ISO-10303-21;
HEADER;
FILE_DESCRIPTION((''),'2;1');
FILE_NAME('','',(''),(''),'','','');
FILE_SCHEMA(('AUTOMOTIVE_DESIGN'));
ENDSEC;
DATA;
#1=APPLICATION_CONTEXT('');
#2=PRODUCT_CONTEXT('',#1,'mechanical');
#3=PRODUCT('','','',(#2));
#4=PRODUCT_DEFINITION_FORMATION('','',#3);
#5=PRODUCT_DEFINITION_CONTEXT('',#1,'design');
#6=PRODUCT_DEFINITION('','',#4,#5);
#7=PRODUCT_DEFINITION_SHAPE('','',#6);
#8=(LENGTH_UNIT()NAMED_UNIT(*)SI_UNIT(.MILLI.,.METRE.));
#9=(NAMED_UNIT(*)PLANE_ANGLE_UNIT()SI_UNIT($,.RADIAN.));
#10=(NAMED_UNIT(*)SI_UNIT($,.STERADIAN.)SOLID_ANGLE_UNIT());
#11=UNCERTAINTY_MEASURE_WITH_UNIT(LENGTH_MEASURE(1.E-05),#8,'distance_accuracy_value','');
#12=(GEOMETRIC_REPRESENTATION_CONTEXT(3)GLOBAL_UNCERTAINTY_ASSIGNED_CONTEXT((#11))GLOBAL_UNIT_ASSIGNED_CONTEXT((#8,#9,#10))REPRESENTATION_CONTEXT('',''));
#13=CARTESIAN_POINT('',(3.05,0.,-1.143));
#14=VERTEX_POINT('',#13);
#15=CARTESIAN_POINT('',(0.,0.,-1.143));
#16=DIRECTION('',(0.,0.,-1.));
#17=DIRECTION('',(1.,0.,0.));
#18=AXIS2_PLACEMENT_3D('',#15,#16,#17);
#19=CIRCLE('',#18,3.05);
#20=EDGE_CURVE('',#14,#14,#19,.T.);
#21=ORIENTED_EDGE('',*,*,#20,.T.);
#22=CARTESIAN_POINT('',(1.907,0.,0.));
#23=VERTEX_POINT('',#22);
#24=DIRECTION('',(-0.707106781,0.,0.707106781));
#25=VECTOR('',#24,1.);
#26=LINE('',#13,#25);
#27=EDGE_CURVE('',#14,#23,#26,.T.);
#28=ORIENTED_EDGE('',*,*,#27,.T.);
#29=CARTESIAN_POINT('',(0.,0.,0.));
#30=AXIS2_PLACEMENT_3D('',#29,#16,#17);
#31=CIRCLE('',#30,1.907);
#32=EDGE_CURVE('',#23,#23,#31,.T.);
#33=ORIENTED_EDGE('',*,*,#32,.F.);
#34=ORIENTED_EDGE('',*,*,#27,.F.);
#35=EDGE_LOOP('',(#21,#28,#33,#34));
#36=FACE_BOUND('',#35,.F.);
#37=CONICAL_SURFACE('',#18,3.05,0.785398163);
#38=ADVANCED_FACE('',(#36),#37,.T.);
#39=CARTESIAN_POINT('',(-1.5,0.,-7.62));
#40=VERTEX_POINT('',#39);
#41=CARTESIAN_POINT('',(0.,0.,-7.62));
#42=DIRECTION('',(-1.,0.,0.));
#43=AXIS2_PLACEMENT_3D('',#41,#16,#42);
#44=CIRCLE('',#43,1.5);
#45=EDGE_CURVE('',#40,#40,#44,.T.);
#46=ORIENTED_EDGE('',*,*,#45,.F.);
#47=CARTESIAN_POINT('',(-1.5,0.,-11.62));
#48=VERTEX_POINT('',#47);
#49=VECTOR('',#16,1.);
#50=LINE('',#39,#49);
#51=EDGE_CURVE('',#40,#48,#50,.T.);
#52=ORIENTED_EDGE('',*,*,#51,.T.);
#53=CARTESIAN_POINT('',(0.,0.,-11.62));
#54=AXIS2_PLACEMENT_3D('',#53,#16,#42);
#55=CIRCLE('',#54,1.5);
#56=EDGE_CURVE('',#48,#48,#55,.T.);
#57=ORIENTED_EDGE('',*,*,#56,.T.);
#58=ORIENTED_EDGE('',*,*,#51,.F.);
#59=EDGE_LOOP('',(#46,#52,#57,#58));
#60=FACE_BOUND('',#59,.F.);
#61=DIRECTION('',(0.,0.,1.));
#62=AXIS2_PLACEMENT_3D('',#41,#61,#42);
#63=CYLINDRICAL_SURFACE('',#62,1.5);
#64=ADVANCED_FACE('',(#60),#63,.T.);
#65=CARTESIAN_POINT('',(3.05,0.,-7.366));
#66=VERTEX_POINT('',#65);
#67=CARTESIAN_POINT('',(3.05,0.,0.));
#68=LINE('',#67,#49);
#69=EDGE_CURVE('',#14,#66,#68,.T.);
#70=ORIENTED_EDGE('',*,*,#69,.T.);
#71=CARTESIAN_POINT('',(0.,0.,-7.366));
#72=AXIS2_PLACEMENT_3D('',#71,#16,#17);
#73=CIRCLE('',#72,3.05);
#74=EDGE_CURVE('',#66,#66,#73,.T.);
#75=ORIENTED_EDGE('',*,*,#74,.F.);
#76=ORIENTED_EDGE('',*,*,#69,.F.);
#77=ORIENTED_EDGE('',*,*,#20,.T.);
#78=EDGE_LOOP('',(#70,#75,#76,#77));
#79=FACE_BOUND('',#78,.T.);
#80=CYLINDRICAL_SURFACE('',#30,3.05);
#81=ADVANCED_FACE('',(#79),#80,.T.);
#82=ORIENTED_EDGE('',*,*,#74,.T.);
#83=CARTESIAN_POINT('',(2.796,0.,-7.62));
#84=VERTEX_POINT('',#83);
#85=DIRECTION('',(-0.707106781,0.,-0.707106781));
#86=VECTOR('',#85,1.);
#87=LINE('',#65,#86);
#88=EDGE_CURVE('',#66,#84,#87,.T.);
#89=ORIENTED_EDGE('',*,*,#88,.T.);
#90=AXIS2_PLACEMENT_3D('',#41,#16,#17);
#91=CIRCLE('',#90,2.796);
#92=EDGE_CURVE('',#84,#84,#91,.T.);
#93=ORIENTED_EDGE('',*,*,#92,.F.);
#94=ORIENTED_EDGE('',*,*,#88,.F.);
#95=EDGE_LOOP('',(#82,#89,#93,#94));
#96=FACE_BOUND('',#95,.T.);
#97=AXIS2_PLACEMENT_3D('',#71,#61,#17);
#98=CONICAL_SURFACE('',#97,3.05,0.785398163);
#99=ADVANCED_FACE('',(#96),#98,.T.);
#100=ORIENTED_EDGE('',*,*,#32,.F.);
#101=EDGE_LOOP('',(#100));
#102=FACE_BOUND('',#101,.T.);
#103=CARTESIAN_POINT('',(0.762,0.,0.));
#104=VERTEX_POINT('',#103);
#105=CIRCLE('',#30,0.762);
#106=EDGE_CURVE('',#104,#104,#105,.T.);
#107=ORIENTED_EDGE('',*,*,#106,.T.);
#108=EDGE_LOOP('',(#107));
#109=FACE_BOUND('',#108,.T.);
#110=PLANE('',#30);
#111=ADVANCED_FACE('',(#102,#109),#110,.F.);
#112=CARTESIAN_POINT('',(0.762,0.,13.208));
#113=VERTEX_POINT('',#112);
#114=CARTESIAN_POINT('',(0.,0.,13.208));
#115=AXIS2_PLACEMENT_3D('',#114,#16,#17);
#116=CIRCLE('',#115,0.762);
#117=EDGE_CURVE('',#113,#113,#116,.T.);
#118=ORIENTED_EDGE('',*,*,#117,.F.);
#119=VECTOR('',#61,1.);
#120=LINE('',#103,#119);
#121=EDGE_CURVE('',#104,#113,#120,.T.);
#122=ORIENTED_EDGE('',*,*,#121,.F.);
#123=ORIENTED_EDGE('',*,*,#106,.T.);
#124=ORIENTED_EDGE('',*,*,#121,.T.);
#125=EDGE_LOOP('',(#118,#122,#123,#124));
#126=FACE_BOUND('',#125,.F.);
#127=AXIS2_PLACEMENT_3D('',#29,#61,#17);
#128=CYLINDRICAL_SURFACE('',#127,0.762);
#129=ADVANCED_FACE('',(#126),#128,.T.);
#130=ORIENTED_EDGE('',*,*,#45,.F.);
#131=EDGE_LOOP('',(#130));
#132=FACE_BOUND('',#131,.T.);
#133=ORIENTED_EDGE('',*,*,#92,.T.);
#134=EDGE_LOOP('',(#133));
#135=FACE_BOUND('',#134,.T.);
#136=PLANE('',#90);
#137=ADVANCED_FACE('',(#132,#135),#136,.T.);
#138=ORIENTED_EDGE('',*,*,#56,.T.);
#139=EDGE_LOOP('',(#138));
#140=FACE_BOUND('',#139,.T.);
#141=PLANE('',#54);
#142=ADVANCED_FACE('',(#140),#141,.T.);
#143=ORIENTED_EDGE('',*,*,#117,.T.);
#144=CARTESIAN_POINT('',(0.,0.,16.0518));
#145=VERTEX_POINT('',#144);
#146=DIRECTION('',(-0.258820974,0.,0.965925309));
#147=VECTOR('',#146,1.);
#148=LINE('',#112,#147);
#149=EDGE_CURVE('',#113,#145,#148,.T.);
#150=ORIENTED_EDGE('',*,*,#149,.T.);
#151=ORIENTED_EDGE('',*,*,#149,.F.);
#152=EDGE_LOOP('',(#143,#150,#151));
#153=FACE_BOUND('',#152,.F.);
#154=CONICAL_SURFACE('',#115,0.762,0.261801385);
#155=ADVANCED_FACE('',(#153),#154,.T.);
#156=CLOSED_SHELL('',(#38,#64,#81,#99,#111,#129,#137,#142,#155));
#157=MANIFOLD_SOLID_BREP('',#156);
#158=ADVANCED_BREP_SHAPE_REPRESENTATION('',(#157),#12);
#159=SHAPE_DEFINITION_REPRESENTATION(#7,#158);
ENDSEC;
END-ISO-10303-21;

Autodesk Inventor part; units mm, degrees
ref_plane "YZ Plane" through (0, 0, 0) normal (1, 0, 0) x (0, 1, 0)
ref_plane "XZ Plane" through (0, 0, 0) normal (0, 1, 0) x (-1, 0, 0)
ref_plane "XY Plane" through (0, 0, 0) normal (0, 0, 1) x (1, 0, 0)
sketch "Sketch1" plane through (0, 0, 0) normal (0, 1, 0) x (-1, 0, 0)
  line L0 (0, 0) -> (-3.05, 0)
  line L1 (-3.05, 0) -> (-3.05, -7.62)
  line L2 (-3.05, -7.62) -> (0, -7.62)
  line L3 (0, -7.62) -> (0, 0)
  line L4 (0, 0) -> (-0.762, 0)
  line L5 (-0.762, 0) -> (-0.762, 13.208)
  line L6 (-0.762, 13.208) -> (0, 13.208)
  line L7 (0, 13.208) -> (0, 0)
  line L8 (-0.762, 13.208) -> (0, 16.0518)
  line L9 (-0.762, 13.208) -> (2.1821, 13.208) construction
  line L10 (0, 16.0518) -> (0, 13.208)
  dimension "d0" = 3.05
  dimension "d1" = 7.62
  dimension "d2" = 0.762
  dimension "d3" = 13.208
  dimension "d13" = 75
  dimension "d14" = 15
  dimension "d15" = 16.0518
  dimension "d16" = 23.6718
revolve "Revolution1" add sketch "Sketch1" angle 360 about axis through (0, 0, 13.208) along (0, 0, -1)
sketch "Sketch2" plane through (0, 0, -7.62) normal (0, 0, -1) x (-1, 0, 0)
  circle A0 centre (0, 0) radius 3.05 projected
  circle A1 centre (0, 0) radius 1.5
  dimension "d5" = 3
extrude "Extrusion1" add sketch "Sketch2" along normal blind 4 contours A1
chamfer "Chamfer1" distance 1.143 angle 45 1 edges at (-3.05, 0, 0)
chamfer "Chamfer2" distance 0.254 angle 45 1 edges at (-3.05, 0, -7.62)
thread "Thread1" size "M3x0.5" class "6g" standard "ANSI Metric M Profile" full length
properties part number "carbide_probe_30deg_tip_r01" material "Steel, High Strength, Low Alloy"
